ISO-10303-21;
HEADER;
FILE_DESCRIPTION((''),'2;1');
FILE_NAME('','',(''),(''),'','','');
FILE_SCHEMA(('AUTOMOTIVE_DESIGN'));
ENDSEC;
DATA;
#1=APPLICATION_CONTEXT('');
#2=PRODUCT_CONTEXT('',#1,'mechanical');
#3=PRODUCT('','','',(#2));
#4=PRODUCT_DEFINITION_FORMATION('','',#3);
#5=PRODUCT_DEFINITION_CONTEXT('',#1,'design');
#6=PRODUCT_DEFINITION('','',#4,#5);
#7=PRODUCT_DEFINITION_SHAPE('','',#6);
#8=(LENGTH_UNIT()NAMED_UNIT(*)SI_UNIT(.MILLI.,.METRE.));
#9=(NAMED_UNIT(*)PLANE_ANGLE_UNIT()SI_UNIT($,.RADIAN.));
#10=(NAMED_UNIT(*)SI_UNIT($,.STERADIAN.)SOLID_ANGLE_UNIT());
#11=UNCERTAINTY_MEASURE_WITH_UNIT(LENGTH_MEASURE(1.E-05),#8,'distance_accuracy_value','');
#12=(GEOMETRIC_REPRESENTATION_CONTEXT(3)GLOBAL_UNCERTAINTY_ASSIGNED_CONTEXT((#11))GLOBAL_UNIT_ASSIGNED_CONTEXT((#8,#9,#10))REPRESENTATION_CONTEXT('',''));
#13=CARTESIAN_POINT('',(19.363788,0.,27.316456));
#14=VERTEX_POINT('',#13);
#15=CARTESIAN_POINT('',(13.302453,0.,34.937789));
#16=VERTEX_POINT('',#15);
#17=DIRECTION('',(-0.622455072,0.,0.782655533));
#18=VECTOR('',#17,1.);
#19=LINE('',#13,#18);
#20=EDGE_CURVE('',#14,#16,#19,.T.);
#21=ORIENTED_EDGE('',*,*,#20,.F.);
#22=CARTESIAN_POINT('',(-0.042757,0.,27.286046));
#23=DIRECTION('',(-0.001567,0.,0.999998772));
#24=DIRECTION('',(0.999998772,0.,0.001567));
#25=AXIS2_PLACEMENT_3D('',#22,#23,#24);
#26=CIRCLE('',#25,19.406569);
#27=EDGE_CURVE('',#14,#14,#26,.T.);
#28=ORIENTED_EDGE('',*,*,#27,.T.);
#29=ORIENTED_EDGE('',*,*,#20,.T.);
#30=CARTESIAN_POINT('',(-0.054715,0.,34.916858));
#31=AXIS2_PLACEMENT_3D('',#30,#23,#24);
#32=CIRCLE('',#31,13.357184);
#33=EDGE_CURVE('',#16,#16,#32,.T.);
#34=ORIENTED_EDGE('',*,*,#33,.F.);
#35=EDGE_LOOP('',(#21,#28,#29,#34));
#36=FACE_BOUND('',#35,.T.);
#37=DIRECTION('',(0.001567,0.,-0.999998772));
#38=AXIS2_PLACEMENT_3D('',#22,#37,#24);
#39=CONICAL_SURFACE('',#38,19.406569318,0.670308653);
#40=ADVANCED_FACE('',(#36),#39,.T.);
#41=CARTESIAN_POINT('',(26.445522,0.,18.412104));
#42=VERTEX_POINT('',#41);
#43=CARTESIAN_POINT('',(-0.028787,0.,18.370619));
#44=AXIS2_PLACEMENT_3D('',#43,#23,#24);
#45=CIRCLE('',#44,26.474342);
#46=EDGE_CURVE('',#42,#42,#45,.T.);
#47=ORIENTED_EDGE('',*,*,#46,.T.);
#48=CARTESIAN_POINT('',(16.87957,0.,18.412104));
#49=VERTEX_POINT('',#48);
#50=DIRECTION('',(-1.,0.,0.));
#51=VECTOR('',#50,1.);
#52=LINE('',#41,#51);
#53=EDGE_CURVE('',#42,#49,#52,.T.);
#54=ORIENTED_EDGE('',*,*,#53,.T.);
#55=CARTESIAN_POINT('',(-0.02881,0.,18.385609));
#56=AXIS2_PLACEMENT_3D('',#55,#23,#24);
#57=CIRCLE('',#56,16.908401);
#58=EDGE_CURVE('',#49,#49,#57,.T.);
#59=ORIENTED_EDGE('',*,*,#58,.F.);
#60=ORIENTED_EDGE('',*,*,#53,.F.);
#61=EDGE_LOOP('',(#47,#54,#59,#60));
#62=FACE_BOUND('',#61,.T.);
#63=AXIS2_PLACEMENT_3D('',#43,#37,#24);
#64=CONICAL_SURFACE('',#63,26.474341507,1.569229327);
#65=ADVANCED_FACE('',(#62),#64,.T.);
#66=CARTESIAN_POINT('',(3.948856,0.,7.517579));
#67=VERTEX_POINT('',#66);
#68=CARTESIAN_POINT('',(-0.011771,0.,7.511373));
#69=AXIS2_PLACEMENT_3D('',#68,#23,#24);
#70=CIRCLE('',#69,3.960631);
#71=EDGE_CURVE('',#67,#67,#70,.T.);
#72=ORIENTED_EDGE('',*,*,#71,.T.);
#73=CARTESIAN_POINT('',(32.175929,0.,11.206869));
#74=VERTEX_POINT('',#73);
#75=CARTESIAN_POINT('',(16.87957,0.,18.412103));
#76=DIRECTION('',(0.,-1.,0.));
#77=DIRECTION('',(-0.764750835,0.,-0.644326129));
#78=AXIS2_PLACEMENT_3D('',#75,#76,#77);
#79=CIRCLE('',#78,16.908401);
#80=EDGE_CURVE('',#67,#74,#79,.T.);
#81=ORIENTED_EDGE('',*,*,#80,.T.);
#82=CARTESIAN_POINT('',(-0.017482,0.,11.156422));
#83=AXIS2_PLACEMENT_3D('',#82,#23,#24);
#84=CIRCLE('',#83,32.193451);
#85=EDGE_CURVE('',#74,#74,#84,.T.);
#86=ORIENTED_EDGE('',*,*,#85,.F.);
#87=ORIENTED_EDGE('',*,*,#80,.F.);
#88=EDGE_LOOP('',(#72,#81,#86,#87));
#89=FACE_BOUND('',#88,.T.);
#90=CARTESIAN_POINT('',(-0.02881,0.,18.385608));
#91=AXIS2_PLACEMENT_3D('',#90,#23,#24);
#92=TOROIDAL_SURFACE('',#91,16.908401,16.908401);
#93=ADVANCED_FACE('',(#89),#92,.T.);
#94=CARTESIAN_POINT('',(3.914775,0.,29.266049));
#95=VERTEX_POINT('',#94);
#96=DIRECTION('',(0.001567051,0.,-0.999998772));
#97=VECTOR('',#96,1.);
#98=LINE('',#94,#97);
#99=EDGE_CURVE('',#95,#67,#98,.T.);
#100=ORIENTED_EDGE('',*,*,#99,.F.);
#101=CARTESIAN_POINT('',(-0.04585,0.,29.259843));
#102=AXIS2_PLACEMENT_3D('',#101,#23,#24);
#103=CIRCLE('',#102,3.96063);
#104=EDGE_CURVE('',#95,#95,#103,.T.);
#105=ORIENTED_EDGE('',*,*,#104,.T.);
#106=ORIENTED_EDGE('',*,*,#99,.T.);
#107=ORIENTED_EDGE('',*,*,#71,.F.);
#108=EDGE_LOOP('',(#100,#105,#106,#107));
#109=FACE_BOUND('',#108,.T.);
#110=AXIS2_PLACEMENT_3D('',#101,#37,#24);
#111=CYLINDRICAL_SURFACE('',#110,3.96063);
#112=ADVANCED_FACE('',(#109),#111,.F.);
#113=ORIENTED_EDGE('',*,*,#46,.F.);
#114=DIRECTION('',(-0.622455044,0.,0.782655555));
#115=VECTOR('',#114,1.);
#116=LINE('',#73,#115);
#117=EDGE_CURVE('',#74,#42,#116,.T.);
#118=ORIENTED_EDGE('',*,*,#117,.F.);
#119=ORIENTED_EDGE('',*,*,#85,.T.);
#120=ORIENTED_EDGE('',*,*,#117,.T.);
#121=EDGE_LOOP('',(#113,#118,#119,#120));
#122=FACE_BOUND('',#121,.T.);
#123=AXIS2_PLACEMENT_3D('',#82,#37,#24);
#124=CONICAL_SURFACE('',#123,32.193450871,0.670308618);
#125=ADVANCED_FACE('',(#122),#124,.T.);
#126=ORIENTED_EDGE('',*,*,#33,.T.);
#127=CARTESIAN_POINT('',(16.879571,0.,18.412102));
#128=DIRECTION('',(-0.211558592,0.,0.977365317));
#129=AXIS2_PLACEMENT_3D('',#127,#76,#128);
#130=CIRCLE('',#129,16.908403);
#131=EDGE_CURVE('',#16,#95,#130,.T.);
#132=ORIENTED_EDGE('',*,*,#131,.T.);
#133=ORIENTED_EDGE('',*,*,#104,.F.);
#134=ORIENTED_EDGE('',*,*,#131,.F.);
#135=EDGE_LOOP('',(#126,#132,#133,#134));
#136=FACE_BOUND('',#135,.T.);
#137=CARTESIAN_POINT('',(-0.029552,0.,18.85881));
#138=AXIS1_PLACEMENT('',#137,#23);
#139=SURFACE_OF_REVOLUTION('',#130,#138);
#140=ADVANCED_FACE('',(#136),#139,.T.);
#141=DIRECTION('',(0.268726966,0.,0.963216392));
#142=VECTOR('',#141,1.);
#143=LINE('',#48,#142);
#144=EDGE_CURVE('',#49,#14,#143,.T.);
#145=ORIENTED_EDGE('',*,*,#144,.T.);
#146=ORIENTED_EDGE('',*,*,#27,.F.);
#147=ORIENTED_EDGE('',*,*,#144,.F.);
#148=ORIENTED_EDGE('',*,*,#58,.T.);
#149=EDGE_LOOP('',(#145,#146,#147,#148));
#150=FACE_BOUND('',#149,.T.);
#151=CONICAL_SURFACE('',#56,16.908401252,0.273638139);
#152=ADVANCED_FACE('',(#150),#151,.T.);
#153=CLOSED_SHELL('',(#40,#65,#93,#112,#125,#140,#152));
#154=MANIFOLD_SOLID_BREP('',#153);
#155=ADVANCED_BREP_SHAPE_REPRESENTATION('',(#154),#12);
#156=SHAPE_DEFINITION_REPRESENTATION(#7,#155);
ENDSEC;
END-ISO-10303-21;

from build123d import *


with BuildPart() as f1:
    # F0 (on Front) → F1 (revolve)
    with BuildSketch(Plane.XZ):
        with BuildLine():
            Line((19.363788, 27.316456), (13.302453, 34.937789))
            ThreePointArc((13.302453, 34.937789), (8.135951, 32.884255), (3.914775, 29.266049))
            Line((3.914775, 29.266049), (3.948856, 7.517579))
            ThreePointArc((3.948856, 7.517579), (19.070867, 1.646298), (32.175929, 11.206869))
            Line((32.175929, 11.206869), (26.445522, 18.412104))
            Line((26.445522, 18.412104), (16.87957, 18.412104))
            Line((16.87957, 18.412104), (19.363788, 27.316456))
        make_face()
    revolve(axis=Axis((-0.029552, 0, 18.85881), (-0.001567, 0, 0.999999)))


solid = f1.part
